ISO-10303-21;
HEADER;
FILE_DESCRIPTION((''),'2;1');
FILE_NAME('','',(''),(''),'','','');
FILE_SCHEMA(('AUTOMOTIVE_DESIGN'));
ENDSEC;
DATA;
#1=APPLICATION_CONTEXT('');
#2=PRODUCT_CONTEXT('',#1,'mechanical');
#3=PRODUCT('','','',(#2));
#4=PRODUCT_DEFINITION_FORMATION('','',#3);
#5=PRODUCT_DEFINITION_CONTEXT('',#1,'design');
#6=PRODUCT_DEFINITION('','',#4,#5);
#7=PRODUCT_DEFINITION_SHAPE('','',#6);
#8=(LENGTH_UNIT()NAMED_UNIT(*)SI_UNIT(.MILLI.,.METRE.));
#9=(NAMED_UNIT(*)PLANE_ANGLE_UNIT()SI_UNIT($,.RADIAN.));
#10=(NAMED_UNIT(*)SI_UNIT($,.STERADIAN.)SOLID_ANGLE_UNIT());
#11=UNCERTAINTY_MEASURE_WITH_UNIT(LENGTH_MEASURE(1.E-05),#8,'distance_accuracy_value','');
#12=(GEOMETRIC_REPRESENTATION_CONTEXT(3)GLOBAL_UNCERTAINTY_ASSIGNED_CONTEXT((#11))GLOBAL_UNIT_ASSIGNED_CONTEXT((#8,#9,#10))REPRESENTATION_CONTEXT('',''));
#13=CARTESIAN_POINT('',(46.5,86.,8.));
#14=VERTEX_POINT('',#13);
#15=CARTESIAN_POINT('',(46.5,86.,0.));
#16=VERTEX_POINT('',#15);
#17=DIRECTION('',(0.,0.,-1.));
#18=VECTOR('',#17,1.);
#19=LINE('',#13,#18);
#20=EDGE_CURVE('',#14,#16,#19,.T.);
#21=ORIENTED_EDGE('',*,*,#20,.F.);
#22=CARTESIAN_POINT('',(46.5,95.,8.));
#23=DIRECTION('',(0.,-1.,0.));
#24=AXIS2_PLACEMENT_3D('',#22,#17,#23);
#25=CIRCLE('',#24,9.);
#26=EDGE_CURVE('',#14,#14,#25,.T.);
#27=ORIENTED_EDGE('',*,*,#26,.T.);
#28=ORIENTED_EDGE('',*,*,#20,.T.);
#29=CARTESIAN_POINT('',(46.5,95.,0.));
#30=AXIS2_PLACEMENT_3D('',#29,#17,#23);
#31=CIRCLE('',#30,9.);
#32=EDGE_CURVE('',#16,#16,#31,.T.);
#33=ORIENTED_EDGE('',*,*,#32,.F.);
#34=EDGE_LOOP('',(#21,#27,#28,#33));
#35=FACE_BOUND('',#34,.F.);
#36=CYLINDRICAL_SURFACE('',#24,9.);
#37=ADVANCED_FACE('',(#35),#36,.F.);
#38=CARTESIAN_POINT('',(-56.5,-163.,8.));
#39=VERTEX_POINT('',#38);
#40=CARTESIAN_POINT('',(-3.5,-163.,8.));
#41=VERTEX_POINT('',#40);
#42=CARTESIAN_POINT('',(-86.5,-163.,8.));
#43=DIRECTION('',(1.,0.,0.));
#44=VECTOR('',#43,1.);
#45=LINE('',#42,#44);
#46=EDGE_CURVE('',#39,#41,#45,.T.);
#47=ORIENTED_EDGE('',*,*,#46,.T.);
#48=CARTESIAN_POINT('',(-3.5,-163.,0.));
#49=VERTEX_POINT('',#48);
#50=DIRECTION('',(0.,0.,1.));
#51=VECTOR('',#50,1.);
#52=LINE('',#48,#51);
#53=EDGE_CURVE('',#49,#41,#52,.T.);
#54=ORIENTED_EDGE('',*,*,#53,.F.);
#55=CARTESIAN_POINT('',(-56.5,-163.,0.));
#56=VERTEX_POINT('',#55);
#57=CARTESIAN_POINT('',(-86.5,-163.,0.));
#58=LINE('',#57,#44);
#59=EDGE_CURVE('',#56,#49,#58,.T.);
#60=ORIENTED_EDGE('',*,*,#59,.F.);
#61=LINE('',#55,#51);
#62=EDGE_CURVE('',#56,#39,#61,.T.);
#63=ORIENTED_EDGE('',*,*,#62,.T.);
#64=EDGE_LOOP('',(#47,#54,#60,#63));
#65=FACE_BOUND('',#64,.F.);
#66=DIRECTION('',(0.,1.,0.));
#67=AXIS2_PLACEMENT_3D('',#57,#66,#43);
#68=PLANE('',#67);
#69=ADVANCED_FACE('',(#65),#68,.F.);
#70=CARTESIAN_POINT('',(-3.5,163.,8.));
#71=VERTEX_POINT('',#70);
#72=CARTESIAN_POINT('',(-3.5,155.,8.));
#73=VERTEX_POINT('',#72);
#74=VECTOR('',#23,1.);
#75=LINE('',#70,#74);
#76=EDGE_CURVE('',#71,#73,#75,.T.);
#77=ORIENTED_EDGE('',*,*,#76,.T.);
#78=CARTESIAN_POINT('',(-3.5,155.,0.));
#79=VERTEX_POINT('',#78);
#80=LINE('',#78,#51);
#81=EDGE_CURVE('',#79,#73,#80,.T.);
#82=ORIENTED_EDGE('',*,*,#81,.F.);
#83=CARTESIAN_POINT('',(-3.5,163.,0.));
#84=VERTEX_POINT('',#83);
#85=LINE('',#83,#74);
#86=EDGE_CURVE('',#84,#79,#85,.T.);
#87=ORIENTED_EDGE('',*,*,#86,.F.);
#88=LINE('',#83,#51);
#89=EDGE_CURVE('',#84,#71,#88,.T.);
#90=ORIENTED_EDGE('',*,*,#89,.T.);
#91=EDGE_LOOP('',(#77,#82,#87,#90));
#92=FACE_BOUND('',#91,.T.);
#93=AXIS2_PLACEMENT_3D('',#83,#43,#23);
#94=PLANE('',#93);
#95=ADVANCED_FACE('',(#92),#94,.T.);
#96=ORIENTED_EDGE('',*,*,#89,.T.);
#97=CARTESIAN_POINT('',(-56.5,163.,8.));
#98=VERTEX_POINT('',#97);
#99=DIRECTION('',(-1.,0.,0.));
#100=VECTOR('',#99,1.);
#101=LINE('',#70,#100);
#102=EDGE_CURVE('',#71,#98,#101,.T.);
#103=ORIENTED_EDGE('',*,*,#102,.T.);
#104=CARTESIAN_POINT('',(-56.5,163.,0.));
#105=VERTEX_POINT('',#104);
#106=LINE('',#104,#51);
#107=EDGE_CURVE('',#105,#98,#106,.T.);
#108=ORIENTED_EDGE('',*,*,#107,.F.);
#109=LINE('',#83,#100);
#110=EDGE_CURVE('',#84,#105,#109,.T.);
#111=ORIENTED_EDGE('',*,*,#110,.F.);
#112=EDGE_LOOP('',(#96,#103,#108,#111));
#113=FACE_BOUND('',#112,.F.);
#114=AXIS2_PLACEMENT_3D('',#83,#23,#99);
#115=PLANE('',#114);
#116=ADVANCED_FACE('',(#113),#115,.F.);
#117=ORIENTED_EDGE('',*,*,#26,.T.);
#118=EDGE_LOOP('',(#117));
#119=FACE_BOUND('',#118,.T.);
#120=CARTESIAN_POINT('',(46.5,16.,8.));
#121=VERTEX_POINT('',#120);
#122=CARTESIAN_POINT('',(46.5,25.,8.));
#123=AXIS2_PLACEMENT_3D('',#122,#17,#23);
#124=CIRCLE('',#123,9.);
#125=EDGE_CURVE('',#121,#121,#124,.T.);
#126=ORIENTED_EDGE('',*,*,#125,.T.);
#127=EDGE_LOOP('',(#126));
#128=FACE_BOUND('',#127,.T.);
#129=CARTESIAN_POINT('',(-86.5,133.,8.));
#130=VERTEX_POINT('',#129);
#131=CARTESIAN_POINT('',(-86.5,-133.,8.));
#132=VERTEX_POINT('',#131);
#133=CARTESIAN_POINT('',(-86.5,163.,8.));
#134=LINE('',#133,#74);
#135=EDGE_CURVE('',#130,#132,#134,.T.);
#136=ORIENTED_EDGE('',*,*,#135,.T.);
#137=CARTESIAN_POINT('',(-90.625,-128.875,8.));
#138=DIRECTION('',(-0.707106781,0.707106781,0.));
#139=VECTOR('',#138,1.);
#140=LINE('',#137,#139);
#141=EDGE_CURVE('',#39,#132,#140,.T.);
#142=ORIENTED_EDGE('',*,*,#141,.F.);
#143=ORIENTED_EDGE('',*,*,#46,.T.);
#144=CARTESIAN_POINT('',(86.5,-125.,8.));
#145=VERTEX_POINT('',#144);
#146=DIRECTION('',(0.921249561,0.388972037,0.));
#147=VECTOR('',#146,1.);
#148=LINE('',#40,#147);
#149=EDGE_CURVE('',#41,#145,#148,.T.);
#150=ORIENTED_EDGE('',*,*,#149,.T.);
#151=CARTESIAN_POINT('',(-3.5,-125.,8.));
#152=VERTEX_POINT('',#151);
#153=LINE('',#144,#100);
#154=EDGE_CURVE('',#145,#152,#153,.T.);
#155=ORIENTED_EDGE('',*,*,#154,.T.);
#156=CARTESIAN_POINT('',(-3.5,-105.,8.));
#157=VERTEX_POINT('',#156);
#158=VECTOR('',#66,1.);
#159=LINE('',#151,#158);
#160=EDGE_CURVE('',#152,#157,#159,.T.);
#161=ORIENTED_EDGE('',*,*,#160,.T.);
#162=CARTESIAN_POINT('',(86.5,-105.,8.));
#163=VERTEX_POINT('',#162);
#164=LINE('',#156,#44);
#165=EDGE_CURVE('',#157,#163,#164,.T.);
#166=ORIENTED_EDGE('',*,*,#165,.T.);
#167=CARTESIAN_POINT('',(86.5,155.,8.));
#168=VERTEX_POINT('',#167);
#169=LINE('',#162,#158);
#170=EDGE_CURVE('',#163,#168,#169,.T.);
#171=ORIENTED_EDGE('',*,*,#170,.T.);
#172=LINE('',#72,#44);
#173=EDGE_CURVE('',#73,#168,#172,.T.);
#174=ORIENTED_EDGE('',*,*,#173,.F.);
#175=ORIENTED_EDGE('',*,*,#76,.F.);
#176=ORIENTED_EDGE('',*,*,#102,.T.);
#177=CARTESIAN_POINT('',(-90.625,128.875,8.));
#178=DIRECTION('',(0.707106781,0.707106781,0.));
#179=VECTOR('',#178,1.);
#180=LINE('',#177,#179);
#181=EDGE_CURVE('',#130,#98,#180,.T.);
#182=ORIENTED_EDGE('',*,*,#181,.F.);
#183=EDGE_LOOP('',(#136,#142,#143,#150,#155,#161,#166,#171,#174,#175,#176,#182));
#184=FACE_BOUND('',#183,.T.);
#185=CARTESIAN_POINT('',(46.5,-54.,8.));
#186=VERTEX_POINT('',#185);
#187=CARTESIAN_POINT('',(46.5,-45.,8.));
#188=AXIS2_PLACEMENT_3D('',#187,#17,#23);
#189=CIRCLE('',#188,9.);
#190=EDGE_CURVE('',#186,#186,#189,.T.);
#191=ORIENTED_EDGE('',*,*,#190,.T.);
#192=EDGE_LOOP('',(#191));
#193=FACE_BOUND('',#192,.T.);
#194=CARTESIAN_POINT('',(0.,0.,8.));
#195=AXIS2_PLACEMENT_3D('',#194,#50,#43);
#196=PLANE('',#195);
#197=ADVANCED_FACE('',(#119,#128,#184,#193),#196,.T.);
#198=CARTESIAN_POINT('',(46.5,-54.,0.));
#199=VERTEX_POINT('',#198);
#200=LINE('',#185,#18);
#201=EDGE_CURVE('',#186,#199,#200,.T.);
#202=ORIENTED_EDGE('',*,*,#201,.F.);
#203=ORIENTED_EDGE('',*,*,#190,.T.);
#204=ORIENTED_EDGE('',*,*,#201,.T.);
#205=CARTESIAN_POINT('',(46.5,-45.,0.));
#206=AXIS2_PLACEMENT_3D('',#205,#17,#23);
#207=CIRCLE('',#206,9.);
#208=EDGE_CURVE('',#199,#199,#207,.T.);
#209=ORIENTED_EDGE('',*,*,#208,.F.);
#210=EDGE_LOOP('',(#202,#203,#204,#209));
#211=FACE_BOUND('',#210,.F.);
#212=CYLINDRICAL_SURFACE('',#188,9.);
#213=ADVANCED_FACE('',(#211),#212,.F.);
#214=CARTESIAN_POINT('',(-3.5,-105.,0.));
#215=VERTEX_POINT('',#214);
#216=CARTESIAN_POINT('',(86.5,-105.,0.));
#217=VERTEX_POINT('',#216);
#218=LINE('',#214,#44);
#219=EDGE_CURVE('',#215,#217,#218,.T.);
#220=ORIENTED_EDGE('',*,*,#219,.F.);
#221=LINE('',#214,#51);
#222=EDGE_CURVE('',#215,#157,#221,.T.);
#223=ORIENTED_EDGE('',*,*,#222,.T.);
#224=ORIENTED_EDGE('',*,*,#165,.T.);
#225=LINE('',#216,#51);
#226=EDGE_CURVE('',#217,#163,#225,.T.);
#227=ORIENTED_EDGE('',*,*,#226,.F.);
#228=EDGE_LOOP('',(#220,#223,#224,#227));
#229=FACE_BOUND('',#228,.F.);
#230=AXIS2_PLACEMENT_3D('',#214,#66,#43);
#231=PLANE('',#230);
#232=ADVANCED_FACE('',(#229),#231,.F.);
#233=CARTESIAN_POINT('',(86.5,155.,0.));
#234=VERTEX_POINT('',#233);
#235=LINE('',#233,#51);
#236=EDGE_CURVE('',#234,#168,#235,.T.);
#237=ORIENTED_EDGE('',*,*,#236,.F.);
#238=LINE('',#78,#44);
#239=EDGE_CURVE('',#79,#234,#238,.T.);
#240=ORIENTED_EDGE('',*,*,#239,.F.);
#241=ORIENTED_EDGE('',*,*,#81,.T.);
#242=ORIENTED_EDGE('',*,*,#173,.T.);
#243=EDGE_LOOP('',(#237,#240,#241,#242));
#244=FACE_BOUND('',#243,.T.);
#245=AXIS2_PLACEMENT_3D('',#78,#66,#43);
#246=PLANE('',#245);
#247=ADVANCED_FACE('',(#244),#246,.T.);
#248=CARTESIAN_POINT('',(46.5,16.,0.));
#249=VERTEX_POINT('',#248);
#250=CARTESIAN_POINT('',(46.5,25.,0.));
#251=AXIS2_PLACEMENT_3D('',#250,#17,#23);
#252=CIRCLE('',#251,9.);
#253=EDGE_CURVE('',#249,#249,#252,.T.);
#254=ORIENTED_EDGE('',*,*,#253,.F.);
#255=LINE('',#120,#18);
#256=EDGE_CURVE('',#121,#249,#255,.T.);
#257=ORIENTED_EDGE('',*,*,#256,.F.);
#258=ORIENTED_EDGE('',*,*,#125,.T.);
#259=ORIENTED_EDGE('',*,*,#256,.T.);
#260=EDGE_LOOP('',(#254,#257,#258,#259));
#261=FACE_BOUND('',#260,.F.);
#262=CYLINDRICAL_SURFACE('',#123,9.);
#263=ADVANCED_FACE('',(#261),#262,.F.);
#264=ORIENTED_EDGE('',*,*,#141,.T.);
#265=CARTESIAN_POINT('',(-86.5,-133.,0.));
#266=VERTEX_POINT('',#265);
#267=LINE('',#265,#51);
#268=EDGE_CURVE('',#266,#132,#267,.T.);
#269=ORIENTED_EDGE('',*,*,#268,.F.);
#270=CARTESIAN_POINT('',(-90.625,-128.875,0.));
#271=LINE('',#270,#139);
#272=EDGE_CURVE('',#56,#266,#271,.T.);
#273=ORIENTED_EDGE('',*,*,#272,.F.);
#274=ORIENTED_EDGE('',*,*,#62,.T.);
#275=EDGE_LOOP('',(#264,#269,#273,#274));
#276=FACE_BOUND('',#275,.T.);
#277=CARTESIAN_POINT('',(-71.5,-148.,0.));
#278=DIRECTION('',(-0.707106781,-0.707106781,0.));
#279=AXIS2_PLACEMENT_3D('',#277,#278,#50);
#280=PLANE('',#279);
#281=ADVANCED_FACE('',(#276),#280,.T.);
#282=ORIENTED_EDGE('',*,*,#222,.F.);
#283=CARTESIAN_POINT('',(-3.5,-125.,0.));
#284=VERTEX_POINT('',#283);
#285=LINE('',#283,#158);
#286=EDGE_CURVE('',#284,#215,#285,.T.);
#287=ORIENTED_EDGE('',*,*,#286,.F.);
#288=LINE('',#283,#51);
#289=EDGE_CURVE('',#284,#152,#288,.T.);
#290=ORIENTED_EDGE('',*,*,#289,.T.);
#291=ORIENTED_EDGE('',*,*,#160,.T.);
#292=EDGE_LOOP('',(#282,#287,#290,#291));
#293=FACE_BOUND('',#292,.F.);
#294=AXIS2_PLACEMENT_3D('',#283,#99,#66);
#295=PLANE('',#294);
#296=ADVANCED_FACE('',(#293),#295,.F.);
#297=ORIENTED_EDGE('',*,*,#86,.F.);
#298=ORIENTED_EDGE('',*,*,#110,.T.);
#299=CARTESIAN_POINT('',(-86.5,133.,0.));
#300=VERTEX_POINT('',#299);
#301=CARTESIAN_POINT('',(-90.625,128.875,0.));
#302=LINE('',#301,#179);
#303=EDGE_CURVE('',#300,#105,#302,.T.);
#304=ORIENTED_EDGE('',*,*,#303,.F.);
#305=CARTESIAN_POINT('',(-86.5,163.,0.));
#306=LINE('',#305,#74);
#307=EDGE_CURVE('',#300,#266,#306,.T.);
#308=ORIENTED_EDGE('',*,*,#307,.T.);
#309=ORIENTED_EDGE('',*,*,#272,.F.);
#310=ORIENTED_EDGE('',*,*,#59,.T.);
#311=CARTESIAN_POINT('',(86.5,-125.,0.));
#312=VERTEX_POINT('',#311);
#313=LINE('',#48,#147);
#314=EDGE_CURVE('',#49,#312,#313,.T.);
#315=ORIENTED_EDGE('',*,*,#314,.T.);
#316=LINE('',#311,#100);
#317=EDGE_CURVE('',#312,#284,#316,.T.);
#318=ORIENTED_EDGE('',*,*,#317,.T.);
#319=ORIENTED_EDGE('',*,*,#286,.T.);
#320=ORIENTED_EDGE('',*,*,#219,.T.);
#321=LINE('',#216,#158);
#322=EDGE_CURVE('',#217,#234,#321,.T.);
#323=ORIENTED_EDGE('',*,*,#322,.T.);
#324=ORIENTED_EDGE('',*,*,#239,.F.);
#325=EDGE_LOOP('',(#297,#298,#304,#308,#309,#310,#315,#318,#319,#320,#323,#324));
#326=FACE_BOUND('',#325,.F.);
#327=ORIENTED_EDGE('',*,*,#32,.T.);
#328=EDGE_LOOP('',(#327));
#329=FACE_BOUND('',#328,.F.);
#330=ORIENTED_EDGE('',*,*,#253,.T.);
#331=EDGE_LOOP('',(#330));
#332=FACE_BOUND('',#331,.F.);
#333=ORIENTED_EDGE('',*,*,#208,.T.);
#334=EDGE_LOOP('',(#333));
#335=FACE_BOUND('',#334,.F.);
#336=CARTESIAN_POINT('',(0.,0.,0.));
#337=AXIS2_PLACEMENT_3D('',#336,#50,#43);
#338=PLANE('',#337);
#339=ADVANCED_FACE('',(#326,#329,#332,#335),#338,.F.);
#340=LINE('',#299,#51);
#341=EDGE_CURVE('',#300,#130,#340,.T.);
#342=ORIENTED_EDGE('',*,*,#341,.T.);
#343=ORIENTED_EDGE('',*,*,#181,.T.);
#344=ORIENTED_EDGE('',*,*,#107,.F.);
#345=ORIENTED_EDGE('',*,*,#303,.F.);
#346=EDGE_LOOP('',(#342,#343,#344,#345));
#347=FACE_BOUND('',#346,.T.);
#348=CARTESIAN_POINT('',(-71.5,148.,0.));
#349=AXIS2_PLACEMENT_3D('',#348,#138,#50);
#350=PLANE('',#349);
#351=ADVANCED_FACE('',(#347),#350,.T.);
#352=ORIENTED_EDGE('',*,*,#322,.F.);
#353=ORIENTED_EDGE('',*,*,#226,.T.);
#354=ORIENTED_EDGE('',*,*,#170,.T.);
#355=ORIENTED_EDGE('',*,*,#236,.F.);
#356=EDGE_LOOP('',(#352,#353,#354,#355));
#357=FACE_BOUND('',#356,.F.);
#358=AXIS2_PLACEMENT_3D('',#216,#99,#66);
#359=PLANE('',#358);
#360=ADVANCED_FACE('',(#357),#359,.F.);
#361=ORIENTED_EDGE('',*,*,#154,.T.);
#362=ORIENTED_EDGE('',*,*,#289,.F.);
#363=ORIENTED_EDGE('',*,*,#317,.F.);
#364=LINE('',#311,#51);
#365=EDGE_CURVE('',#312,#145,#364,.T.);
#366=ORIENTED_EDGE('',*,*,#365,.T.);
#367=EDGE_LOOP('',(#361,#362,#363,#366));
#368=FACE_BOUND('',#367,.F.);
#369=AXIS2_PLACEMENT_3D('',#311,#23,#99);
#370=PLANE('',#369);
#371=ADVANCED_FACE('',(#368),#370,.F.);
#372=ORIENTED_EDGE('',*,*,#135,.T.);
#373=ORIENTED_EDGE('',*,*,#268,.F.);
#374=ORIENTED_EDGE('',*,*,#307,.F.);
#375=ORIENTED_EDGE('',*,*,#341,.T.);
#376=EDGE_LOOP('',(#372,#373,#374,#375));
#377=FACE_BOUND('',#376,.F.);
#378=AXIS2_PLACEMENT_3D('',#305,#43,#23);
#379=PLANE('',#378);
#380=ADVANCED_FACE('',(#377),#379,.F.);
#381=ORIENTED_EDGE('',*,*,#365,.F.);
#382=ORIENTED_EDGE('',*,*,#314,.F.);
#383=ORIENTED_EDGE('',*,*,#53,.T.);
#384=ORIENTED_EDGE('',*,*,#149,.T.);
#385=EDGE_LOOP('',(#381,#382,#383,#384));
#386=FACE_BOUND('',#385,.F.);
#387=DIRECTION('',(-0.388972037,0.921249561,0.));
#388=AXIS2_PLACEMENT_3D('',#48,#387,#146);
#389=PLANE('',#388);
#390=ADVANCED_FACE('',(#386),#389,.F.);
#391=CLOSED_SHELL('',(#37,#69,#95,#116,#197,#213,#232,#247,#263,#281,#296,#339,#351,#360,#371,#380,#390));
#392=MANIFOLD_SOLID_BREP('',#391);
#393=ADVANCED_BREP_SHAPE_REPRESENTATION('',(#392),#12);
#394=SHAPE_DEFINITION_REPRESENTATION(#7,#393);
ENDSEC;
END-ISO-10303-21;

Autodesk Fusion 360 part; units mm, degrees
sketch "スケッチ1" plane through (0, 0, 0) normal (0, 0, 1) x (1, 0, 0)
  line L0 (-3.5, 163) -> (-86.5, 163)
  line L1 (-86.5, 163) -> (-86.5, -163)
  line L2 (-86.5, -163) -> (-3.5, -163)
  line L3 (86.5, -105) -> (86.5, 155)
  line L4 (82.2546, 155) -> (-86.5, -163) construction
  line L5 (-3.5, 163) -> (-3.5, 155)
  line L6 (-3.5, 155) -> (86.5, 155)
  line L7 (-86.5, -163) -> (-3.5, -163) construction
  line L8 (-3.5, -163) -> (86.5, -125)
  line L9 (86.5, -125) -> (-3.5, -125)
  line L10 (-3.5, -125) -> (-3.5, -105)
  line L11 (-3.5, -105) -> (86.5, -105)
  line L12 (-86.5, 163) -> (55.7209, -105) construction
  line L13 (66.3344, -125) -> (70.0256, -131.9558) construction
  dimension "d2" = 326
  dimension "d5" = 83
  dimension "d7" = 90
  dimension "d8" = 20
extrude "押し出し1" add sketch "スケッチ1" along normal blind 8
chamfer "面取り1" distance 30 angle 45 2 edges at (-86.5, -163, 4) (-86.5, 163, 4)
sketch "スケッチ2" plane through (0, 0, 8) normal (0, 0, 1) x (-1, 0, 0)
  line L0 (56.5, -163) -> (86.5, -133)
  line L1 (86.5, -133) -> (86.5, 133)
  line L2 (86.5, 133) -> (56.5, 163)
  line L3 (56.5, 163) -> (3.5, 163)
  line L4 (3.5, 163) -> (-86.5, 125)
  line L5 (-86.5, 125) -> (3.5, 125)
  line L6 (3.5, 125) -> (3.5, 105)
  line L7 (3.5, 105) -> (-86.5, 105)
  line L8 (-86.5, 105) -> (-86.5, -155)
  line L9 (-86.5, -155) -> (3.5, -155)
  line L10 (3.5, -155) -> (3.5, -163)
  line L11 (3.5, -163) -> (56.5, -163)
  line L12 (-86.5, -155) -> (-46.5, -155) construction
  line L13 (-46.5, -155) -> (-46.5, -95) construction
  line L14 (-46.5, -95) -> (-86.5, -95) construction
  line L15 (-86.5, -95) -> (-86.5, -155) construction
  line L16 (-46.5, -95) -> (-46.5, -25) construction
  line L17 (-46.5, -25) -> (-46.5, 45) construction
  point P0 (-46.5, -95)
  point P1 (-46.5, -25)
  point P2 (-46.5, 45)
  dimension "d12" = 40
  dimension "d13" = 60
  dimension "d14" = 70
  dimension "d15" = 70
hole "穴1" at (46.5, 95, 8) at (46.5, 25, 8) at (46.5, -45, 8) direction (0, 0, -1) diameter 18 end through all
equation "d5 = 30 mm + 53 mm"
